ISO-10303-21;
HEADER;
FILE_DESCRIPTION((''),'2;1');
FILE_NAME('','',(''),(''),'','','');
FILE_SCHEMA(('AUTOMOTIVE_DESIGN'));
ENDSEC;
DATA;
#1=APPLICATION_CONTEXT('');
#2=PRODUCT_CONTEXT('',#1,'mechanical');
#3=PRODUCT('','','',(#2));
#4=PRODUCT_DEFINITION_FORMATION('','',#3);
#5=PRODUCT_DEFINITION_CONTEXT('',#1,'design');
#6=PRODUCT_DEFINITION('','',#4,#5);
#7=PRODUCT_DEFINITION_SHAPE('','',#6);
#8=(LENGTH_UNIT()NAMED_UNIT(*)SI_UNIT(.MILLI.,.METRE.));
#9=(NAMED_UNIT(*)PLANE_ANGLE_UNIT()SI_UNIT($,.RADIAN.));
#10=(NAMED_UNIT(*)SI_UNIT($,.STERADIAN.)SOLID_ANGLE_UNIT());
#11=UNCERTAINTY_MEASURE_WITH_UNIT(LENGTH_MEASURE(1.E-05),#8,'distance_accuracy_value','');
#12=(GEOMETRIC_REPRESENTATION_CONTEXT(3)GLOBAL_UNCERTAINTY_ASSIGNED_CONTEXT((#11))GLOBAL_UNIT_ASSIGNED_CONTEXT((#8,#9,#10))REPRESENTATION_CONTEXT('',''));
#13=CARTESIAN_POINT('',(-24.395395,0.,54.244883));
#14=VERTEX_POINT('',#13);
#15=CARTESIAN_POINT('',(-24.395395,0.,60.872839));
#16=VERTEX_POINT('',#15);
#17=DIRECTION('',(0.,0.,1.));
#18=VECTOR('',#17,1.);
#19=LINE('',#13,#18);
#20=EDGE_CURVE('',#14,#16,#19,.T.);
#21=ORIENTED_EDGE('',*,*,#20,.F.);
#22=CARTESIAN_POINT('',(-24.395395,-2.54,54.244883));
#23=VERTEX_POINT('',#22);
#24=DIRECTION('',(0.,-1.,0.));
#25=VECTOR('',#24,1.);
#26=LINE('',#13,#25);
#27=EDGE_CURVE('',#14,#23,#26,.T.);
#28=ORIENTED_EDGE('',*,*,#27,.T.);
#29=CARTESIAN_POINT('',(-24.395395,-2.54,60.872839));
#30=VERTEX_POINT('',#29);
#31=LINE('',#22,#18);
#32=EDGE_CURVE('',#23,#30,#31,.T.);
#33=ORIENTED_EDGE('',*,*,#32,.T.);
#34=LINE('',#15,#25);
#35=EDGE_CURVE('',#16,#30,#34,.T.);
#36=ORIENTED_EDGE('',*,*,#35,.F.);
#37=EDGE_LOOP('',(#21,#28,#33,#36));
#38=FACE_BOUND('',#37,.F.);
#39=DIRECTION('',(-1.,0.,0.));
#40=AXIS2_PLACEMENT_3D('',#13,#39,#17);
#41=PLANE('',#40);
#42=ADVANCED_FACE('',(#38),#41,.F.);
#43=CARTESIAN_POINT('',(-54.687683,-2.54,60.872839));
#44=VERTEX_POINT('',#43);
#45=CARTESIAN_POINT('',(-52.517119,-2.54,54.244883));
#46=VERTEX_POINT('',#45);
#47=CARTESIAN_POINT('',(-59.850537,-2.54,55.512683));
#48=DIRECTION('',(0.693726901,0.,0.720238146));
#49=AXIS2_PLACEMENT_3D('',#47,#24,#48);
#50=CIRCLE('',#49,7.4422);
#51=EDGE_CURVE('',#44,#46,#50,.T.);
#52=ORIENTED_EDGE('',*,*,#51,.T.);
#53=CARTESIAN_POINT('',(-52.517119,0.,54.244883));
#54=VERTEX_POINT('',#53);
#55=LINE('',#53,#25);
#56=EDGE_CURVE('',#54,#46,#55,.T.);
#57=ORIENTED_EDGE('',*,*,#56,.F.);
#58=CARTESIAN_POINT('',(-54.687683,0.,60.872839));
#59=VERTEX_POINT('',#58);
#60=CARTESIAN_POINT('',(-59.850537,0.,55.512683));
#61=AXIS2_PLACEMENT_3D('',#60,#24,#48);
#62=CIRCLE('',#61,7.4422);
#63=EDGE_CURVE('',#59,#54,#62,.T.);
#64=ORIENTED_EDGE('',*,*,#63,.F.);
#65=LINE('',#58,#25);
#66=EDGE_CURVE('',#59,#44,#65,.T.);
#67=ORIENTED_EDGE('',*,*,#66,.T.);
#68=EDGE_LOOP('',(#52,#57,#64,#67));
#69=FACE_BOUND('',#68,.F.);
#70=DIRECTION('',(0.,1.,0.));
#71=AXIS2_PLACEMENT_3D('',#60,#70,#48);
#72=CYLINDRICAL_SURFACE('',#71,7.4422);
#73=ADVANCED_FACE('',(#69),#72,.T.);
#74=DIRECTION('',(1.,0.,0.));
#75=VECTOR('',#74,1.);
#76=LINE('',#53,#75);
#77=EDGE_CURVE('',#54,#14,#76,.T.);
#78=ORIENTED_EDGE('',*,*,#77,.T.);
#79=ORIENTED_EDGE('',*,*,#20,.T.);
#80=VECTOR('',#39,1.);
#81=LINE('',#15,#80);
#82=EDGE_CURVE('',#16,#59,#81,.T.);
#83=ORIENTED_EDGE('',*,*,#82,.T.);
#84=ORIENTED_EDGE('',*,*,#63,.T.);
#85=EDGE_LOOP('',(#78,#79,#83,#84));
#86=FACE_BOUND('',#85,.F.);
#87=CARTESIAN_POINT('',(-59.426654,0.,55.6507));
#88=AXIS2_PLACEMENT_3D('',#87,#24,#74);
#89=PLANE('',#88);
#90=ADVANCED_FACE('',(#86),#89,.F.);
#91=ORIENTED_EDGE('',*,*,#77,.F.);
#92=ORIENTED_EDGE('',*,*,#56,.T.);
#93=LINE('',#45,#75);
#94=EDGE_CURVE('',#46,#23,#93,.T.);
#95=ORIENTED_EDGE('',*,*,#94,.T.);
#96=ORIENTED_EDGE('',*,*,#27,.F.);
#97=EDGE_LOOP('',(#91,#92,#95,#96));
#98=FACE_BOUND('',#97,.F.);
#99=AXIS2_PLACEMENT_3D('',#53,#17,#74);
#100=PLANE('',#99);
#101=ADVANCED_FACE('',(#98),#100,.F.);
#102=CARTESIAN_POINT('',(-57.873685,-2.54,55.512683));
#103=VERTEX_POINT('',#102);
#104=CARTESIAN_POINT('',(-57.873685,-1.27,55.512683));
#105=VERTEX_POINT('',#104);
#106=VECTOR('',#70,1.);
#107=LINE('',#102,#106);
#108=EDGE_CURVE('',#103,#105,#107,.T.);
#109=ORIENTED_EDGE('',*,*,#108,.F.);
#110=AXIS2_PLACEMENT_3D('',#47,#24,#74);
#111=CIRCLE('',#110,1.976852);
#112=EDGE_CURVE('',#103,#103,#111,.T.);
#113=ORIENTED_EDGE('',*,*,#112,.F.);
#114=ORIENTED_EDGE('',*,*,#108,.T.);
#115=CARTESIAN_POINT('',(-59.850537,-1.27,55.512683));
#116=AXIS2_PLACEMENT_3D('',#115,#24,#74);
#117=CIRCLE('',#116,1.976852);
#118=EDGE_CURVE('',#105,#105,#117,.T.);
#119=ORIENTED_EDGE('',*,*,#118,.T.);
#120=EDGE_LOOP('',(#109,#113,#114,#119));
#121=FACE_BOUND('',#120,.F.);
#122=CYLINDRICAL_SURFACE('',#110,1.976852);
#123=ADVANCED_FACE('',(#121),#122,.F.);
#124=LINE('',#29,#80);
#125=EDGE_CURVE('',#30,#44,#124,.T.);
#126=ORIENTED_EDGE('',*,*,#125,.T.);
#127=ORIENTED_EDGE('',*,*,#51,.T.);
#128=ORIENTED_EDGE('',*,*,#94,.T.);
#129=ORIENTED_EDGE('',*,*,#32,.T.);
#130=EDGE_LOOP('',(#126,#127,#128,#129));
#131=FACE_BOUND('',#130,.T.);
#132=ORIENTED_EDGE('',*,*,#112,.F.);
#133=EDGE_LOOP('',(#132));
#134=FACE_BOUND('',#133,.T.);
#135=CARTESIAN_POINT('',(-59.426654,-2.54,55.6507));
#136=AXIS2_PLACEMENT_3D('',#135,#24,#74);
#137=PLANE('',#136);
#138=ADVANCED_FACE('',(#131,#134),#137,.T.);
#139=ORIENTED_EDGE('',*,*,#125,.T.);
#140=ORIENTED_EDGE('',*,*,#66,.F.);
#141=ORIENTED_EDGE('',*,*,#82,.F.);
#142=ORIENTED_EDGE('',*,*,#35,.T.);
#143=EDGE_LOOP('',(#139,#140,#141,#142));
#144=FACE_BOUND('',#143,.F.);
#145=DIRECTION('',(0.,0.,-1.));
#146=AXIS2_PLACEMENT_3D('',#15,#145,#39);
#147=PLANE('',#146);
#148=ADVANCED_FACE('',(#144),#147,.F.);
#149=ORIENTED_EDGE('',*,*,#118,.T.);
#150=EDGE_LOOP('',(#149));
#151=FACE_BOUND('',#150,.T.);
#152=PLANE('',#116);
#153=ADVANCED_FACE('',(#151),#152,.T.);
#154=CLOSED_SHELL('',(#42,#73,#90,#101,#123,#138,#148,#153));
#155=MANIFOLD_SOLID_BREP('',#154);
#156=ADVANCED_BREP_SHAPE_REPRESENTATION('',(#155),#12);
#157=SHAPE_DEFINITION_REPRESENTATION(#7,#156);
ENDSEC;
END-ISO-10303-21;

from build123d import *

# Parameters (mm, degrees)
F1_DEPTH = 2.54
F2_R     = 1.976852
F3_DEPTH = 1.27


with BuildPart() as f1:
    # F0 (on Front) → F1 (new body)
    with BuildSketch(Plane.XZ):
        with BuildLine():
            ThreePointArc((-52.517119, 54.244883), (-52.435583, 54.876454), (-52.408337, 55.512683))
            ThreePointArc((-52.408337, 55.512683), (-53.001839, 58.425014), (-54.687683, 60.872839))
            ThreePointArc((-54.687683, 60.872839), (-66.923136, 53.196503), (-52.517119, 54.244883))
        make_face()
        with BuildLine():
            ThreePointArc((-54.687683, 60.872839), (-53.001839, 58.425014), (-52.408337, 55.512683))
            ThreePointArc((-52.408337, 55.512683), (-52.435583, 54.876454), (-52.517119, 54.244883))
            Line((-52.517119, 54.244883), (-24.395395, 54.244883))
            Line((-24.395395, 54.244883), (-24.395395, 60.872839))
            Line((-24.395395, 60.872839), (-54.687683, 60.872839))
        make_face()
    extrude(amount=F1_DEPTH)

    # F2 (on face) → F3 (cut)
    with BuildSketch(Plane.XZ.offset(2.54)):
        with Locations((-59.850537, 55.512683)):
            Circle(F2_R)
    extrude(amount=-F3_DEPTH, mode=Mode.SUBTRACT)


solid = f1.part
